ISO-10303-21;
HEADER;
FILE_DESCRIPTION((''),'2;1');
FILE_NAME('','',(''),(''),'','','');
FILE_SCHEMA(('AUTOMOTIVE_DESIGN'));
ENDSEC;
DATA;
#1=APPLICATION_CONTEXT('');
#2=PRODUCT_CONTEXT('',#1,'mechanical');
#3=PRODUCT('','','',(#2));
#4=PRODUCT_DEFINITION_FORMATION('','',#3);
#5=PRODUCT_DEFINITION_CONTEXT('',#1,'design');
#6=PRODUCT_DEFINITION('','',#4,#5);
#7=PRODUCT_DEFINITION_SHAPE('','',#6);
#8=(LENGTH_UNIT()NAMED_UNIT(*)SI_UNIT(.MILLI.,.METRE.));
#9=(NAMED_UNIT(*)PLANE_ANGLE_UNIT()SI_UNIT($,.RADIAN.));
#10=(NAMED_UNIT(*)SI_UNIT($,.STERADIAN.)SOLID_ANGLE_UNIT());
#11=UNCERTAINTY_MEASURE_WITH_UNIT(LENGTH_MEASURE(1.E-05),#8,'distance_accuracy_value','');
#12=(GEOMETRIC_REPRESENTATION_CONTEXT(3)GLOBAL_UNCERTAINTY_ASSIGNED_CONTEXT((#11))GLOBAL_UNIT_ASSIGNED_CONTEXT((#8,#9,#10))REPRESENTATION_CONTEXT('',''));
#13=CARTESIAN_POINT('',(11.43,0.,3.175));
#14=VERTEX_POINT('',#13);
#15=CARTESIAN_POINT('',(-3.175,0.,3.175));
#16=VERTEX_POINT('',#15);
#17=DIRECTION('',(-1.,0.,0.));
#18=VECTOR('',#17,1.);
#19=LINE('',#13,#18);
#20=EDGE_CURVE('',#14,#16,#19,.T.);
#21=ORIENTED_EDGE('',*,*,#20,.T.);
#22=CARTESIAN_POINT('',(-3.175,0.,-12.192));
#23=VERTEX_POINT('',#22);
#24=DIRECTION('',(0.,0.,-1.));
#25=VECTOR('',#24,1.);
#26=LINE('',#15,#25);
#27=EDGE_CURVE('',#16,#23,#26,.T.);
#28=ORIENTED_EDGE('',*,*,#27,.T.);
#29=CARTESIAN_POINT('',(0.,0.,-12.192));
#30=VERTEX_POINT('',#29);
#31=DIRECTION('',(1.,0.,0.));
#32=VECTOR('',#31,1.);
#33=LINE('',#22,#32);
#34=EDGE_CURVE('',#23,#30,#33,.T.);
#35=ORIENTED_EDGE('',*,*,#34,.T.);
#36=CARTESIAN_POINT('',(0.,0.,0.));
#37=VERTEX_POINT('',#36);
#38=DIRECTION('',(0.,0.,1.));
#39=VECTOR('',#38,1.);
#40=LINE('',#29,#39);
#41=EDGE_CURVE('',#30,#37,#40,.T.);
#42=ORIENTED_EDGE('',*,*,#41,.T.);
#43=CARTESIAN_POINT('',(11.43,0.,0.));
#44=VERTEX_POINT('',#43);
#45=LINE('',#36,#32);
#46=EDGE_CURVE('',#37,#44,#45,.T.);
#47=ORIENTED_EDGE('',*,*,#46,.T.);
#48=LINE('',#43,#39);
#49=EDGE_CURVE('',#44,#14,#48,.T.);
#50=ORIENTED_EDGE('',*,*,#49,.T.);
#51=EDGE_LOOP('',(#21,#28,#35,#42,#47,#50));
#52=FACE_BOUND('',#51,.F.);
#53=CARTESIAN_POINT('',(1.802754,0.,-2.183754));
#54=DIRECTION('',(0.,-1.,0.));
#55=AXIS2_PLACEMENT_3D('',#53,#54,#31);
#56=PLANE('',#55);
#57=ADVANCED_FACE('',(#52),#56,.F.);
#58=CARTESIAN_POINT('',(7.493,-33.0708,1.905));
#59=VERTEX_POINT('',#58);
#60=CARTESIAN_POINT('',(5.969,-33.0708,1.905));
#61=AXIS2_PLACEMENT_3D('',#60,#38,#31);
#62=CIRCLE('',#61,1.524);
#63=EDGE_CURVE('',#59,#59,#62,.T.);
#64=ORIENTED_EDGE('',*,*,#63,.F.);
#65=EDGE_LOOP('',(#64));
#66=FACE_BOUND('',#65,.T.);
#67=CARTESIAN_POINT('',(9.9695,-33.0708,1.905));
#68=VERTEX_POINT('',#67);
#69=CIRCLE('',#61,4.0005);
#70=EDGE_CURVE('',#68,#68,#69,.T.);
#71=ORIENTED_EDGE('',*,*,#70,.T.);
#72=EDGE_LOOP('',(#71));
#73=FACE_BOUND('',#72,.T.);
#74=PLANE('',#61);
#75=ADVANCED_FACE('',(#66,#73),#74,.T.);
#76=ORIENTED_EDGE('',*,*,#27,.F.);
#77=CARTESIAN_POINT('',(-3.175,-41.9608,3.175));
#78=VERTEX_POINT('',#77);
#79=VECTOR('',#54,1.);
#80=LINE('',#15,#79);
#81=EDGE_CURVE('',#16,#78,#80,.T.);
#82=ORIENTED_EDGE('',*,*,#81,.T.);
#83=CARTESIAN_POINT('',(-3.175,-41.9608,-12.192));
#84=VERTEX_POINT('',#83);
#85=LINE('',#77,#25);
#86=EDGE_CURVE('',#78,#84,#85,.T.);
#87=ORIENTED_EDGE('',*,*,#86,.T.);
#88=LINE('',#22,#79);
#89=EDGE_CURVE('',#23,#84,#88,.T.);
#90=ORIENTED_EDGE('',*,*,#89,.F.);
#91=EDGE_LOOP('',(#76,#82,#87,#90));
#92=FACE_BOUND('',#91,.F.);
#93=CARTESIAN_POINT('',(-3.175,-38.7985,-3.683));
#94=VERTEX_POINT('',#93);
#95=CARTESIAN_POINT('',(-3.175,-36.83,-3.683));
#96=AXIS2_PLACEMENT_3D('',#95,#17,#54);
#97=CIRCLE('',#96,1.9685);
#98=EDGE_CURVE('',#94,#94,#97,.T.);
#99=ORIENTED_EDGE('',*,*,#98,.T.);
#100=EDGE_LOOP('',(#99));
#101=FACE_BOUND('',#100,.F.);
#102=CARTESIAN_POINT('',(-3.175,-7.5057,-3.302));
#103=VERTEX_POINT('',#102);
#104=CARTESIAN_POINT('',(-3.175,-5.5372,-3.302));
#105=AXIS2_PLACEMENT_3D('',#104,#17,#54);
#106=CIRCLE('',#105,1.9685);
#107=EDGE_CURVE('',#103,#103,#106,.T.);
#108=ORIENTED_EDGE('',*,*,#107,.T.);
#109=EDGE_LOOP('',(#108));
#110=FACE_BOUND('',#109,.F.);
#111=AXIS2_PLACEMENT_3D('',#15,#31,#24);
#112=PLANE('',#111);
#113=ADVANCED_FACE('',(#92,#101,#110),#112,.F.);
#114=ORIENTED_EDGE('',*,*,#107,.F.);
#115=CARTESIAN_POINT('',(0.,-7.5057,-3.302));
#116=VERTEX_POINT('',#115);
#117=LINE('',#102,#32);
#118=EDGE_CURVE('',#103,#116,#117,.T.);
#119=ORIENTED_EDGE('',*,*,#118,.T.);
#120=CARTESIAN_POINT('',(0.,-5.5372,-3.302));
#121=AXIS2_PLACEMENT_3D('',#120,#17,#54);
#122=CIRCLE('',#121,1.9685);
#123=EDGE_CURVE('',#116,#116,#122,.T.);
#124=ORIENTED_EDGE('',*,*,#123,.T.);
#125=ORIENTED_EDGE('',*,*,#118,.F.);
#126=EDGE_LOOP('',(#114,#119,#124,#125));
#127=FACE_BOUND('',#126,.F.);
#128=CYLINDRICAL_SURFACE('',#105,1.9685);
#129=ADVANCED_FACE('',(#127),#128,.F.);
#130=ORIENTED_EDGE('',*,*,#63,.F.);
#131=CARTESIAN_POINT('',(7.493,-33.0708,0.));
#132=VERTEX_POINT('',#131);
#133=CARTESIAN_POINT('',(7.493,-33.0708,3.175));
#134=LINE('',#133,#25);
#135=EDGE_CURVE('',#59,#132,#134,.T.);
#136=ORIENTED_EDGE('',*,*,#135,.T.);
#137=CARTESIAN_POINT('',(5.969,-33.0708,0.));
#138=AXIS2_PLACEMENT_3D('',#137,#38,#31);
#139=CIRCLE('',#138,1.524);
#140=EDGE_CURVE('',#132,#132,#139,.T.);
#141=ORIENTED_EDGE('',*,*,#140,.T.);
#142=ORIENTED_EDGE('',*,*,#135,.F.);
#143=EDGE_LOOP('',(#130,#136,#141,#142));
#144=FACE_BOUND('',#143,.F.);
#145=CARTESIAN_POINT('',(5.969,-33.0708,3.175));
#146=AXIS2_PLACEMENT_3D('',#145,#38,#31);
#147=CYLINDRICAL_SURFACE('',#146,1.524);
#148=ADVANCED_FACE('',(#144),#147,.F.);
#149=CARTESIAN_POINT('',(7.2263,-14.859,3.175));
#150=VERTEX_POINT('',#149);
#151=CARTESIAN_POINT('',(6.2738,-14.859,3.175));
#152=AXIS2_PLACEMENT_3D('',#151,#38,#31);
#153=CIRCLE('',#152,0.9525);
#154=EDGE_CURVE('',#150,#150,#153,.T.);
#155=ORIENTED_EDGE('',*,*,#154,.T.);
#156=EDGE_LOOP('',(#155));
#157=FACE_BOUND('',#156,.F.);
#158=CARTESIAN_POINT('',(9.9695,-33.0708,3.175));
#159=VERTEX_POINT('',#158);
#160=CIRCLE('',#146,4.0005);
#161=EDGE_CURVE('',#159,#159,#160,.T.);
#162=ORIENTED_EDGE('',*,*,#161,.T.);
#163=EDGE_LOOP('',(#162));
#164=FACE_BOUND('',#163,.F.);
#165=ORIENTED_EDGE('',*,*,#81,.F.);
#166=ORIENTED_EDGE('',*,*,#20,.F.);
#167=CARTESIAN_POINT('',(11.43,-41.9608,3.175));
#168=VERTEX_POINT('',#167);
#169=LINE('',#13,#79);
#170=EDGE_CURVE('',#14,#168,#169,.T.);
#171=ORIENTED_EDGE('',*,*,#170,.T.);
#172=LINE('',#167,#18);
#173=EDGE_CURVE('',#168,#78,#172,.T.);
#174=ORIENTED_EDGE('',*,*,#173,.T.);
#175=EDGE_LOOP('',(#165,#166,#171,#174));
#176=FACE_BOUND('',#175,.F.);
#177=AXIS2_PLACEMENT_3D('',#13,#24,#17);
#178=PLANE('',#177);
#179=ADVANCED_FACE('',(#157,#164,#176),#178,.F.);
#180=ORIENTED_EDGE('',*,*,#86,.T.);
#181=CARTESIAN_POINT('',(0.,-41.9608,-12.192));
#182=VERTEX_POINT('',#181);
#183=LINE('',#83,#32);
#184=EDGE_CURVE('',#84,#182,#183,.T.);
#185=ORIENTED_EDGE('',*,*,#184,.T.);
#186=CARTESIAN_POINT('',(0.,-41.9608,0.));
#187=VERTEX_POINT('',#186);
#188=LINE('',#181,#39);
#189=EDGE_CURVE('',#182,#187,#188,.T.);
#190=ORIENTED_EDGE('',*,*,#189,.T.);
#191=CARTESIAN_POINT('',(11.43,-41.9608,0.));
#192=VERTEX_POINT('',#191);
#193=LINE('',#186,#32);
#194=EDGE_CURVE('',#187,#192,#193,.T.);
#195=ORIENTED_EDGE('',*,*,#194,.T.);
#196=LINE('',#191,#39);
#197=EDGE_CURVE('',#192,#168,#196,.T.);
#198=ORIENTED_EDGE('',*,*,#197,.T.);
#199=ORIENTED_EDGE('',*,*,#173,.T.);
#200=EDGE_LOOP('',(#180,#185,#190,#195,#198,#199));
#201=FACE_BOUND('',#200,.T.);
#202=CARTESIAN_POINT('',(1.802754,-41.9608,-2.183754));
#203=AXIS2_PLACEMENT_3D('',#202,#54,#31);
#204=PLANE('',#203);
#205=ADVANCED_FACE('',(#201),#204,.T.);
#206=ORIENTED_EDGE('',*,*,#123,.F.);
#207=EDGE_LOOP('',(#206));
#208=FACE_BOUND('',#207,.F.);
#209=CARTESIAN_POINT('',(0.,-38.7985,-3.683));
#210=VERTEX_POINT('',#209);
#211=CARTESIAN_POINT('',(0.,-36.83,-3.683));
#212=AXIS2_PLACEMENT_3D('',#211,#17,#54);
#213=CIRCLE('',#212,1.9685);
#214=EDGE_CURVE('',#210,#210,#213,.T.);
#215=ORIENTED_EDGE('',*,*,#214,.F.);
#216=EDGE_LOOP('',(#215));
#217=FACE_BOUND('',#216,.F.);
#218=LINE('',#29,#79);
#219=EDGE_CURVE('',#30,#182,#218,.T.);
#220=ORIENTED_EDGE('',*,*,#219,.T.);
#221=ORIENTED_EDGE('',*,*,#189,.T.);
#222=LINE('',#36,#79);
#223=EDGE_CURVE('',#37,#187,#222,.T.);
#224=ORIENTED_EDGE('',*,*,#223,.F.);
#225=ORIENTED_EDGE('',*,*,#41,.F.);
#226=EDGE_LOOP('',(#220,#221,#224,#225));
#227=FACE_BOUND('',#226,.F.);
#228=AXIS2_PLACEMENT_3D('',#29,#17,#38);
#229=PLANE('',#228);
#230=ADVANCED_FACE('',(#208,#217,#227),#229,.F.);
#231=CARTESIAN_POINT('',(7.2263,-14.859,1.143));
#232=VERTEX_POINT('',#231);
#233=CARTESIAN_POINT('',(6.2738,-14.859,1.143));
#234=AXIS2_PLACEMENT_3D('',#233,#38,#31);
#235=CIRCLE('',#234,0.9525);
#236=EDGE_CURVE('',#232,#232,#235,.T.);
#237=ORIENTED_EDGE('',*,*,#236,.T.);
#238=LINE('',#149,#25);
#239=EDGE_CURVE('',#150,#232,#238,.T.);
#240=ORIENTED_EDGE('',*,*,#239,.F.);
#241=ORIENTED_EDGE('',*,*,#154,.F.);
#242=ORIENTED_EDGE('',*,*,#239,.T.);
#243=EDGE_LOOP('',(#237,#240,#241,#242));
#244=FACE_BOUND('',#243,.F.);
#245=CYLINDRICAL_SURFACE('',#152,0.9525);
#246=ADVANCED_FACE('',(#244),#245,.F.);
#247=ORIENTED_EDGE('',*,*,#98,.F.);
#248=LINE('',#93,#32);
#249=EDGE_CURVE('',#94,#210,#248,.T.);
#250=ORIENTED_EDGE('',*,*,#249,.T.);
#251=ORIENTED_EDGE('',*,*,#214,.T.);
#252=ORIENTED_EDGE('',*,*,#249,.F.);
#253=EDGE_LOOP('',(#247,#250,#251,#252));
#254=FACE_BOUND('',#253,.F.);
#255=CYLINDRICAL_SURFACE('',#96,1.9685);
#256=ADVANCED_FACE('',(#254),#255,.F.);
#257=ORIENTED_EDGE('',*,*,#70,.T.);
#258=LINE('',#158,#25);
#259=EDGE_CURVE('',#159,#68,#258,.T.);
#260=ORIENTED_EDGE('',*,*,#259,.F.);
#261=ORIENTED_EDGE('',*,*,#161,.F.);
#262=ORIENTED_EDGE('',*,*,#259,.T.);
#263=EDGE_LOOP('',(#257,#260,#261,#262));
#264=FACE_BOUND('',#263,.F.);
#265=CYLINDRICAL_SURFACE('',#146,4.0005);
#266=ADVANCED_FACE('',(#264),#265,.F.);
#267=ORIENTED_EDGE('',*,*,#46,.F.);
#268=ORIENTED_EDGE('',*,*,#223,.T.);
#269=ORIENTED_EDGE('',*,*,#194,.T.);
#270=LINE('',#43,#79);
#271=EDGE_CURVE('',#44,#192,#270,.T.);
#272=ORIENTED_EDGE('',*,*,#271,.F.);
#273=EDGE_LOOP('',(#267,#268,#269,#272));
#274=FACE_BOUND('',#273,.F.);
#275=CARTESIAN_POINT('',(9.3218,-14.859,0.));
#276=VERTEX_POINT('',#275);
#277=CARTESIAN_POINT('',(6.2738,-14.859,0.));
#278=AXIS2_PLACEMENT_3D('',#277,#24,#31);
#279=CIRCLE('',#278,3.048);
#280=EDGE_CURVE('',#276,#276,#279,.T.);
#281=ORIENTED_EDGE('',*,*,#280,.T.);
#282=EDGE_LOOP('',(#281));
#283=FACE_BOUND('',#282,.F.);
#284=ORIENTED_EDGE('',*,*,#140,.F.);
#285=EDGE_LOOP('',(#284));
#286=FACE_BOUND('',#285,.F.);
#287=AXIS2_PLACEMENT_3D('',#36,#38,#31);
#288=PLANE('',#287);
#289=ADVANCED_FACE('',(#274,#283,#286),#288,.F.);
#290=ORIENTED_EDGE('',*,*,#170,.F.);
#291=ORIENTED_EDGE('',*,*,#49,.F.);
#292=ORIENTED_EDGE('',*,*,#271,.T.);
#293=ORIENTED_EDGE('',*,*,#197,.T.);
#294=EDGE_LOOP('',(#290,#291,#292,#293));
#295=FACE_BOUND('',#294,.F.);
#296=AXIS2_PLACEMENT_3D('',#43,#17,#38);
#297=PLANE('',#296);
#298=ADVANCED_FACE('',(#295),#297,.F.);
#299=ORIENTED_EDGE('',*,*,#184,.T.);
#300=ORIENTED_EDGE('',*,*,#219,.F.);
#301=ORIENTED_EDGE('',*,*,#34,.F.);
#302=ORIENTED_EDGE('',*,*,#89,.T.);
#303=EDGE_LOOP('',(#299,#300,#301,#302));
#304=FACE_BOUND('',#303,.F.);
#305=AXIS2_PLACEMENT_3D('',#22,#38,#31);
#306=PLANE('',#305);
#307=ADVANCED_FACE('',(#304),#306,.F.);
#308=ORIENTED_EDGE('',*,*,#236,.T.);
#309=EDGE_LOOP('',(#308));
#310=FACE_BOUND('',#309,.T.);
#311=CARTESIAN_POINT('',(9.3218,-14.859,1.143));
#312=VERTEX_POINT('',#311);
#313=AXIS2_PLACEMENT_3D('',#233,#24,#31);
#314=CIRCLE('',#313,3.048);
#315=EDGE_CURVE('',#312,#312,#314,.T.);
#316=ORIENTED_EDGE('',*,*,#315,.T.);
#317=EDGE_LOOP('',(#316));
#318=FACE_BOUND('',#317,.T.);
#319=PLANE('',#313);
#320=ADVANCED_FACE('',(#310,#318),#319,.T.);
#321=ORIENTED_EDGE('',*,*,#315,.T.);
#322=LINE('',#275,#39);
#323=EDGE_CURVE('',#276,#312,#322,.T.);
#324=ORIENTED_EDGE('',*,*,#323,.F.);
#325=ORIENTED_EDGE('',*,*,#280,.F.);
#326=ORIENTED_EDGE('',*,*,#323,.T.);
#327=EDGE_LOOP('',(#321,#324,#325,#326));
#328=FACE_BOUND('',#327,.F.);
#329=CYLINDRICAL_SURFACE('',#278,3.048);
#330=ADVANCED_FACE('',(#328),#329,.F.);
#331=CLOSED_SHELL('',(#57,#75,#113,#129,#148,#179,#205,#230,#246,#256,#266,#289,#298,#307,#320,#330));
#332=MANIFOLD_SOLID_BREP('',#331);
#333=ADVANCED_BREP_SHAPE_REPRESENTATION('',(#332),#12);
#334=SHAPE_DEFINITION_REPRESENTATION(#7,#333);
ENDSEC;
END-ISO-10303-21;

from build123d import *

# Parameters (mm, degrees)
F1_DEPTH  = 41.9608
F2_R      = 1.9685
F3_DEPTH  = 14.606
F4_R      = 0.9525
F5_DEPTH  = 15.368
F6_R      = 3.048
F7_DEPTH  = 1.143
F8_R      = 1.524
F9_DEPTH  = 15.368
F10_R     = 4.0005
F11_DEPTH = 1.27


with BuildPart() as f1:
    # F0 (on Front) → F1 (new body)
    with BuildSketch(Plane.XZ):
        Polygon((0, -12.192), (0, 0), (11.43, 0), (11.43, 3.175), (-3.175, 3.175), (-3.175, -12.192), align=None)
    extrude(amount=F1_DEPTH)

    # F2 (on face) → F3 (cut, through all)
    with BuildSketch(Plane(origin=(-3.175, 0, 0), x_dir=(0, -1, 0), z_dir=(-1, 0, 0))):
        with Locations((5.5372, -3.302)):
            Circle(F2_R)
        with Locations((36.83, -3.683)):
            Circle(F2_R)
    extrude(amount=-F3_DEPTH, mode=Mode.SUBTRACT)

    # F4 (on face) → F5 (cut, through all)
    with BuildSketch(Plane.XY.offset(3.175)):
        with Locations((6.2738, -14.859)):
            Circle(F4_R)
    extrude(amount=-F5_DEPTH, mode=Mode.SUBTRACT)

    # F6 (on face) → F7 (cut)
    with BuildSketch(Plane(origin=(0, 0, 0), x_dir=(1, 0, 0), z_dir=(0, 0, -1))):
        with Locations((6.2738, 14.859)):
            Circle(F6_R)
    extrude(amount=-F7_DEPTH, mode=Mode.SUBTRACT)

    # F8 (on face) → F9 (cut, through all)
    with BuildSketch(Plane.XY.offset(3.175)):
        with Locations((5.969, -33.0708)):
            Circle(F8_R)
    extrude(amount=-F9_DEPTH, mode=Mode.SUBTRACT)

    # F10 (on face) → F11 (cut)
    with BuildSketch(Plane.XY.offset(3.175)):
        with Locations((5.969, -33.0708)):
            Circle(F10_R)
    extrude(amount=-F11_DEPTH, mode=Mode.SUBTRACT)


solid = f1.part
